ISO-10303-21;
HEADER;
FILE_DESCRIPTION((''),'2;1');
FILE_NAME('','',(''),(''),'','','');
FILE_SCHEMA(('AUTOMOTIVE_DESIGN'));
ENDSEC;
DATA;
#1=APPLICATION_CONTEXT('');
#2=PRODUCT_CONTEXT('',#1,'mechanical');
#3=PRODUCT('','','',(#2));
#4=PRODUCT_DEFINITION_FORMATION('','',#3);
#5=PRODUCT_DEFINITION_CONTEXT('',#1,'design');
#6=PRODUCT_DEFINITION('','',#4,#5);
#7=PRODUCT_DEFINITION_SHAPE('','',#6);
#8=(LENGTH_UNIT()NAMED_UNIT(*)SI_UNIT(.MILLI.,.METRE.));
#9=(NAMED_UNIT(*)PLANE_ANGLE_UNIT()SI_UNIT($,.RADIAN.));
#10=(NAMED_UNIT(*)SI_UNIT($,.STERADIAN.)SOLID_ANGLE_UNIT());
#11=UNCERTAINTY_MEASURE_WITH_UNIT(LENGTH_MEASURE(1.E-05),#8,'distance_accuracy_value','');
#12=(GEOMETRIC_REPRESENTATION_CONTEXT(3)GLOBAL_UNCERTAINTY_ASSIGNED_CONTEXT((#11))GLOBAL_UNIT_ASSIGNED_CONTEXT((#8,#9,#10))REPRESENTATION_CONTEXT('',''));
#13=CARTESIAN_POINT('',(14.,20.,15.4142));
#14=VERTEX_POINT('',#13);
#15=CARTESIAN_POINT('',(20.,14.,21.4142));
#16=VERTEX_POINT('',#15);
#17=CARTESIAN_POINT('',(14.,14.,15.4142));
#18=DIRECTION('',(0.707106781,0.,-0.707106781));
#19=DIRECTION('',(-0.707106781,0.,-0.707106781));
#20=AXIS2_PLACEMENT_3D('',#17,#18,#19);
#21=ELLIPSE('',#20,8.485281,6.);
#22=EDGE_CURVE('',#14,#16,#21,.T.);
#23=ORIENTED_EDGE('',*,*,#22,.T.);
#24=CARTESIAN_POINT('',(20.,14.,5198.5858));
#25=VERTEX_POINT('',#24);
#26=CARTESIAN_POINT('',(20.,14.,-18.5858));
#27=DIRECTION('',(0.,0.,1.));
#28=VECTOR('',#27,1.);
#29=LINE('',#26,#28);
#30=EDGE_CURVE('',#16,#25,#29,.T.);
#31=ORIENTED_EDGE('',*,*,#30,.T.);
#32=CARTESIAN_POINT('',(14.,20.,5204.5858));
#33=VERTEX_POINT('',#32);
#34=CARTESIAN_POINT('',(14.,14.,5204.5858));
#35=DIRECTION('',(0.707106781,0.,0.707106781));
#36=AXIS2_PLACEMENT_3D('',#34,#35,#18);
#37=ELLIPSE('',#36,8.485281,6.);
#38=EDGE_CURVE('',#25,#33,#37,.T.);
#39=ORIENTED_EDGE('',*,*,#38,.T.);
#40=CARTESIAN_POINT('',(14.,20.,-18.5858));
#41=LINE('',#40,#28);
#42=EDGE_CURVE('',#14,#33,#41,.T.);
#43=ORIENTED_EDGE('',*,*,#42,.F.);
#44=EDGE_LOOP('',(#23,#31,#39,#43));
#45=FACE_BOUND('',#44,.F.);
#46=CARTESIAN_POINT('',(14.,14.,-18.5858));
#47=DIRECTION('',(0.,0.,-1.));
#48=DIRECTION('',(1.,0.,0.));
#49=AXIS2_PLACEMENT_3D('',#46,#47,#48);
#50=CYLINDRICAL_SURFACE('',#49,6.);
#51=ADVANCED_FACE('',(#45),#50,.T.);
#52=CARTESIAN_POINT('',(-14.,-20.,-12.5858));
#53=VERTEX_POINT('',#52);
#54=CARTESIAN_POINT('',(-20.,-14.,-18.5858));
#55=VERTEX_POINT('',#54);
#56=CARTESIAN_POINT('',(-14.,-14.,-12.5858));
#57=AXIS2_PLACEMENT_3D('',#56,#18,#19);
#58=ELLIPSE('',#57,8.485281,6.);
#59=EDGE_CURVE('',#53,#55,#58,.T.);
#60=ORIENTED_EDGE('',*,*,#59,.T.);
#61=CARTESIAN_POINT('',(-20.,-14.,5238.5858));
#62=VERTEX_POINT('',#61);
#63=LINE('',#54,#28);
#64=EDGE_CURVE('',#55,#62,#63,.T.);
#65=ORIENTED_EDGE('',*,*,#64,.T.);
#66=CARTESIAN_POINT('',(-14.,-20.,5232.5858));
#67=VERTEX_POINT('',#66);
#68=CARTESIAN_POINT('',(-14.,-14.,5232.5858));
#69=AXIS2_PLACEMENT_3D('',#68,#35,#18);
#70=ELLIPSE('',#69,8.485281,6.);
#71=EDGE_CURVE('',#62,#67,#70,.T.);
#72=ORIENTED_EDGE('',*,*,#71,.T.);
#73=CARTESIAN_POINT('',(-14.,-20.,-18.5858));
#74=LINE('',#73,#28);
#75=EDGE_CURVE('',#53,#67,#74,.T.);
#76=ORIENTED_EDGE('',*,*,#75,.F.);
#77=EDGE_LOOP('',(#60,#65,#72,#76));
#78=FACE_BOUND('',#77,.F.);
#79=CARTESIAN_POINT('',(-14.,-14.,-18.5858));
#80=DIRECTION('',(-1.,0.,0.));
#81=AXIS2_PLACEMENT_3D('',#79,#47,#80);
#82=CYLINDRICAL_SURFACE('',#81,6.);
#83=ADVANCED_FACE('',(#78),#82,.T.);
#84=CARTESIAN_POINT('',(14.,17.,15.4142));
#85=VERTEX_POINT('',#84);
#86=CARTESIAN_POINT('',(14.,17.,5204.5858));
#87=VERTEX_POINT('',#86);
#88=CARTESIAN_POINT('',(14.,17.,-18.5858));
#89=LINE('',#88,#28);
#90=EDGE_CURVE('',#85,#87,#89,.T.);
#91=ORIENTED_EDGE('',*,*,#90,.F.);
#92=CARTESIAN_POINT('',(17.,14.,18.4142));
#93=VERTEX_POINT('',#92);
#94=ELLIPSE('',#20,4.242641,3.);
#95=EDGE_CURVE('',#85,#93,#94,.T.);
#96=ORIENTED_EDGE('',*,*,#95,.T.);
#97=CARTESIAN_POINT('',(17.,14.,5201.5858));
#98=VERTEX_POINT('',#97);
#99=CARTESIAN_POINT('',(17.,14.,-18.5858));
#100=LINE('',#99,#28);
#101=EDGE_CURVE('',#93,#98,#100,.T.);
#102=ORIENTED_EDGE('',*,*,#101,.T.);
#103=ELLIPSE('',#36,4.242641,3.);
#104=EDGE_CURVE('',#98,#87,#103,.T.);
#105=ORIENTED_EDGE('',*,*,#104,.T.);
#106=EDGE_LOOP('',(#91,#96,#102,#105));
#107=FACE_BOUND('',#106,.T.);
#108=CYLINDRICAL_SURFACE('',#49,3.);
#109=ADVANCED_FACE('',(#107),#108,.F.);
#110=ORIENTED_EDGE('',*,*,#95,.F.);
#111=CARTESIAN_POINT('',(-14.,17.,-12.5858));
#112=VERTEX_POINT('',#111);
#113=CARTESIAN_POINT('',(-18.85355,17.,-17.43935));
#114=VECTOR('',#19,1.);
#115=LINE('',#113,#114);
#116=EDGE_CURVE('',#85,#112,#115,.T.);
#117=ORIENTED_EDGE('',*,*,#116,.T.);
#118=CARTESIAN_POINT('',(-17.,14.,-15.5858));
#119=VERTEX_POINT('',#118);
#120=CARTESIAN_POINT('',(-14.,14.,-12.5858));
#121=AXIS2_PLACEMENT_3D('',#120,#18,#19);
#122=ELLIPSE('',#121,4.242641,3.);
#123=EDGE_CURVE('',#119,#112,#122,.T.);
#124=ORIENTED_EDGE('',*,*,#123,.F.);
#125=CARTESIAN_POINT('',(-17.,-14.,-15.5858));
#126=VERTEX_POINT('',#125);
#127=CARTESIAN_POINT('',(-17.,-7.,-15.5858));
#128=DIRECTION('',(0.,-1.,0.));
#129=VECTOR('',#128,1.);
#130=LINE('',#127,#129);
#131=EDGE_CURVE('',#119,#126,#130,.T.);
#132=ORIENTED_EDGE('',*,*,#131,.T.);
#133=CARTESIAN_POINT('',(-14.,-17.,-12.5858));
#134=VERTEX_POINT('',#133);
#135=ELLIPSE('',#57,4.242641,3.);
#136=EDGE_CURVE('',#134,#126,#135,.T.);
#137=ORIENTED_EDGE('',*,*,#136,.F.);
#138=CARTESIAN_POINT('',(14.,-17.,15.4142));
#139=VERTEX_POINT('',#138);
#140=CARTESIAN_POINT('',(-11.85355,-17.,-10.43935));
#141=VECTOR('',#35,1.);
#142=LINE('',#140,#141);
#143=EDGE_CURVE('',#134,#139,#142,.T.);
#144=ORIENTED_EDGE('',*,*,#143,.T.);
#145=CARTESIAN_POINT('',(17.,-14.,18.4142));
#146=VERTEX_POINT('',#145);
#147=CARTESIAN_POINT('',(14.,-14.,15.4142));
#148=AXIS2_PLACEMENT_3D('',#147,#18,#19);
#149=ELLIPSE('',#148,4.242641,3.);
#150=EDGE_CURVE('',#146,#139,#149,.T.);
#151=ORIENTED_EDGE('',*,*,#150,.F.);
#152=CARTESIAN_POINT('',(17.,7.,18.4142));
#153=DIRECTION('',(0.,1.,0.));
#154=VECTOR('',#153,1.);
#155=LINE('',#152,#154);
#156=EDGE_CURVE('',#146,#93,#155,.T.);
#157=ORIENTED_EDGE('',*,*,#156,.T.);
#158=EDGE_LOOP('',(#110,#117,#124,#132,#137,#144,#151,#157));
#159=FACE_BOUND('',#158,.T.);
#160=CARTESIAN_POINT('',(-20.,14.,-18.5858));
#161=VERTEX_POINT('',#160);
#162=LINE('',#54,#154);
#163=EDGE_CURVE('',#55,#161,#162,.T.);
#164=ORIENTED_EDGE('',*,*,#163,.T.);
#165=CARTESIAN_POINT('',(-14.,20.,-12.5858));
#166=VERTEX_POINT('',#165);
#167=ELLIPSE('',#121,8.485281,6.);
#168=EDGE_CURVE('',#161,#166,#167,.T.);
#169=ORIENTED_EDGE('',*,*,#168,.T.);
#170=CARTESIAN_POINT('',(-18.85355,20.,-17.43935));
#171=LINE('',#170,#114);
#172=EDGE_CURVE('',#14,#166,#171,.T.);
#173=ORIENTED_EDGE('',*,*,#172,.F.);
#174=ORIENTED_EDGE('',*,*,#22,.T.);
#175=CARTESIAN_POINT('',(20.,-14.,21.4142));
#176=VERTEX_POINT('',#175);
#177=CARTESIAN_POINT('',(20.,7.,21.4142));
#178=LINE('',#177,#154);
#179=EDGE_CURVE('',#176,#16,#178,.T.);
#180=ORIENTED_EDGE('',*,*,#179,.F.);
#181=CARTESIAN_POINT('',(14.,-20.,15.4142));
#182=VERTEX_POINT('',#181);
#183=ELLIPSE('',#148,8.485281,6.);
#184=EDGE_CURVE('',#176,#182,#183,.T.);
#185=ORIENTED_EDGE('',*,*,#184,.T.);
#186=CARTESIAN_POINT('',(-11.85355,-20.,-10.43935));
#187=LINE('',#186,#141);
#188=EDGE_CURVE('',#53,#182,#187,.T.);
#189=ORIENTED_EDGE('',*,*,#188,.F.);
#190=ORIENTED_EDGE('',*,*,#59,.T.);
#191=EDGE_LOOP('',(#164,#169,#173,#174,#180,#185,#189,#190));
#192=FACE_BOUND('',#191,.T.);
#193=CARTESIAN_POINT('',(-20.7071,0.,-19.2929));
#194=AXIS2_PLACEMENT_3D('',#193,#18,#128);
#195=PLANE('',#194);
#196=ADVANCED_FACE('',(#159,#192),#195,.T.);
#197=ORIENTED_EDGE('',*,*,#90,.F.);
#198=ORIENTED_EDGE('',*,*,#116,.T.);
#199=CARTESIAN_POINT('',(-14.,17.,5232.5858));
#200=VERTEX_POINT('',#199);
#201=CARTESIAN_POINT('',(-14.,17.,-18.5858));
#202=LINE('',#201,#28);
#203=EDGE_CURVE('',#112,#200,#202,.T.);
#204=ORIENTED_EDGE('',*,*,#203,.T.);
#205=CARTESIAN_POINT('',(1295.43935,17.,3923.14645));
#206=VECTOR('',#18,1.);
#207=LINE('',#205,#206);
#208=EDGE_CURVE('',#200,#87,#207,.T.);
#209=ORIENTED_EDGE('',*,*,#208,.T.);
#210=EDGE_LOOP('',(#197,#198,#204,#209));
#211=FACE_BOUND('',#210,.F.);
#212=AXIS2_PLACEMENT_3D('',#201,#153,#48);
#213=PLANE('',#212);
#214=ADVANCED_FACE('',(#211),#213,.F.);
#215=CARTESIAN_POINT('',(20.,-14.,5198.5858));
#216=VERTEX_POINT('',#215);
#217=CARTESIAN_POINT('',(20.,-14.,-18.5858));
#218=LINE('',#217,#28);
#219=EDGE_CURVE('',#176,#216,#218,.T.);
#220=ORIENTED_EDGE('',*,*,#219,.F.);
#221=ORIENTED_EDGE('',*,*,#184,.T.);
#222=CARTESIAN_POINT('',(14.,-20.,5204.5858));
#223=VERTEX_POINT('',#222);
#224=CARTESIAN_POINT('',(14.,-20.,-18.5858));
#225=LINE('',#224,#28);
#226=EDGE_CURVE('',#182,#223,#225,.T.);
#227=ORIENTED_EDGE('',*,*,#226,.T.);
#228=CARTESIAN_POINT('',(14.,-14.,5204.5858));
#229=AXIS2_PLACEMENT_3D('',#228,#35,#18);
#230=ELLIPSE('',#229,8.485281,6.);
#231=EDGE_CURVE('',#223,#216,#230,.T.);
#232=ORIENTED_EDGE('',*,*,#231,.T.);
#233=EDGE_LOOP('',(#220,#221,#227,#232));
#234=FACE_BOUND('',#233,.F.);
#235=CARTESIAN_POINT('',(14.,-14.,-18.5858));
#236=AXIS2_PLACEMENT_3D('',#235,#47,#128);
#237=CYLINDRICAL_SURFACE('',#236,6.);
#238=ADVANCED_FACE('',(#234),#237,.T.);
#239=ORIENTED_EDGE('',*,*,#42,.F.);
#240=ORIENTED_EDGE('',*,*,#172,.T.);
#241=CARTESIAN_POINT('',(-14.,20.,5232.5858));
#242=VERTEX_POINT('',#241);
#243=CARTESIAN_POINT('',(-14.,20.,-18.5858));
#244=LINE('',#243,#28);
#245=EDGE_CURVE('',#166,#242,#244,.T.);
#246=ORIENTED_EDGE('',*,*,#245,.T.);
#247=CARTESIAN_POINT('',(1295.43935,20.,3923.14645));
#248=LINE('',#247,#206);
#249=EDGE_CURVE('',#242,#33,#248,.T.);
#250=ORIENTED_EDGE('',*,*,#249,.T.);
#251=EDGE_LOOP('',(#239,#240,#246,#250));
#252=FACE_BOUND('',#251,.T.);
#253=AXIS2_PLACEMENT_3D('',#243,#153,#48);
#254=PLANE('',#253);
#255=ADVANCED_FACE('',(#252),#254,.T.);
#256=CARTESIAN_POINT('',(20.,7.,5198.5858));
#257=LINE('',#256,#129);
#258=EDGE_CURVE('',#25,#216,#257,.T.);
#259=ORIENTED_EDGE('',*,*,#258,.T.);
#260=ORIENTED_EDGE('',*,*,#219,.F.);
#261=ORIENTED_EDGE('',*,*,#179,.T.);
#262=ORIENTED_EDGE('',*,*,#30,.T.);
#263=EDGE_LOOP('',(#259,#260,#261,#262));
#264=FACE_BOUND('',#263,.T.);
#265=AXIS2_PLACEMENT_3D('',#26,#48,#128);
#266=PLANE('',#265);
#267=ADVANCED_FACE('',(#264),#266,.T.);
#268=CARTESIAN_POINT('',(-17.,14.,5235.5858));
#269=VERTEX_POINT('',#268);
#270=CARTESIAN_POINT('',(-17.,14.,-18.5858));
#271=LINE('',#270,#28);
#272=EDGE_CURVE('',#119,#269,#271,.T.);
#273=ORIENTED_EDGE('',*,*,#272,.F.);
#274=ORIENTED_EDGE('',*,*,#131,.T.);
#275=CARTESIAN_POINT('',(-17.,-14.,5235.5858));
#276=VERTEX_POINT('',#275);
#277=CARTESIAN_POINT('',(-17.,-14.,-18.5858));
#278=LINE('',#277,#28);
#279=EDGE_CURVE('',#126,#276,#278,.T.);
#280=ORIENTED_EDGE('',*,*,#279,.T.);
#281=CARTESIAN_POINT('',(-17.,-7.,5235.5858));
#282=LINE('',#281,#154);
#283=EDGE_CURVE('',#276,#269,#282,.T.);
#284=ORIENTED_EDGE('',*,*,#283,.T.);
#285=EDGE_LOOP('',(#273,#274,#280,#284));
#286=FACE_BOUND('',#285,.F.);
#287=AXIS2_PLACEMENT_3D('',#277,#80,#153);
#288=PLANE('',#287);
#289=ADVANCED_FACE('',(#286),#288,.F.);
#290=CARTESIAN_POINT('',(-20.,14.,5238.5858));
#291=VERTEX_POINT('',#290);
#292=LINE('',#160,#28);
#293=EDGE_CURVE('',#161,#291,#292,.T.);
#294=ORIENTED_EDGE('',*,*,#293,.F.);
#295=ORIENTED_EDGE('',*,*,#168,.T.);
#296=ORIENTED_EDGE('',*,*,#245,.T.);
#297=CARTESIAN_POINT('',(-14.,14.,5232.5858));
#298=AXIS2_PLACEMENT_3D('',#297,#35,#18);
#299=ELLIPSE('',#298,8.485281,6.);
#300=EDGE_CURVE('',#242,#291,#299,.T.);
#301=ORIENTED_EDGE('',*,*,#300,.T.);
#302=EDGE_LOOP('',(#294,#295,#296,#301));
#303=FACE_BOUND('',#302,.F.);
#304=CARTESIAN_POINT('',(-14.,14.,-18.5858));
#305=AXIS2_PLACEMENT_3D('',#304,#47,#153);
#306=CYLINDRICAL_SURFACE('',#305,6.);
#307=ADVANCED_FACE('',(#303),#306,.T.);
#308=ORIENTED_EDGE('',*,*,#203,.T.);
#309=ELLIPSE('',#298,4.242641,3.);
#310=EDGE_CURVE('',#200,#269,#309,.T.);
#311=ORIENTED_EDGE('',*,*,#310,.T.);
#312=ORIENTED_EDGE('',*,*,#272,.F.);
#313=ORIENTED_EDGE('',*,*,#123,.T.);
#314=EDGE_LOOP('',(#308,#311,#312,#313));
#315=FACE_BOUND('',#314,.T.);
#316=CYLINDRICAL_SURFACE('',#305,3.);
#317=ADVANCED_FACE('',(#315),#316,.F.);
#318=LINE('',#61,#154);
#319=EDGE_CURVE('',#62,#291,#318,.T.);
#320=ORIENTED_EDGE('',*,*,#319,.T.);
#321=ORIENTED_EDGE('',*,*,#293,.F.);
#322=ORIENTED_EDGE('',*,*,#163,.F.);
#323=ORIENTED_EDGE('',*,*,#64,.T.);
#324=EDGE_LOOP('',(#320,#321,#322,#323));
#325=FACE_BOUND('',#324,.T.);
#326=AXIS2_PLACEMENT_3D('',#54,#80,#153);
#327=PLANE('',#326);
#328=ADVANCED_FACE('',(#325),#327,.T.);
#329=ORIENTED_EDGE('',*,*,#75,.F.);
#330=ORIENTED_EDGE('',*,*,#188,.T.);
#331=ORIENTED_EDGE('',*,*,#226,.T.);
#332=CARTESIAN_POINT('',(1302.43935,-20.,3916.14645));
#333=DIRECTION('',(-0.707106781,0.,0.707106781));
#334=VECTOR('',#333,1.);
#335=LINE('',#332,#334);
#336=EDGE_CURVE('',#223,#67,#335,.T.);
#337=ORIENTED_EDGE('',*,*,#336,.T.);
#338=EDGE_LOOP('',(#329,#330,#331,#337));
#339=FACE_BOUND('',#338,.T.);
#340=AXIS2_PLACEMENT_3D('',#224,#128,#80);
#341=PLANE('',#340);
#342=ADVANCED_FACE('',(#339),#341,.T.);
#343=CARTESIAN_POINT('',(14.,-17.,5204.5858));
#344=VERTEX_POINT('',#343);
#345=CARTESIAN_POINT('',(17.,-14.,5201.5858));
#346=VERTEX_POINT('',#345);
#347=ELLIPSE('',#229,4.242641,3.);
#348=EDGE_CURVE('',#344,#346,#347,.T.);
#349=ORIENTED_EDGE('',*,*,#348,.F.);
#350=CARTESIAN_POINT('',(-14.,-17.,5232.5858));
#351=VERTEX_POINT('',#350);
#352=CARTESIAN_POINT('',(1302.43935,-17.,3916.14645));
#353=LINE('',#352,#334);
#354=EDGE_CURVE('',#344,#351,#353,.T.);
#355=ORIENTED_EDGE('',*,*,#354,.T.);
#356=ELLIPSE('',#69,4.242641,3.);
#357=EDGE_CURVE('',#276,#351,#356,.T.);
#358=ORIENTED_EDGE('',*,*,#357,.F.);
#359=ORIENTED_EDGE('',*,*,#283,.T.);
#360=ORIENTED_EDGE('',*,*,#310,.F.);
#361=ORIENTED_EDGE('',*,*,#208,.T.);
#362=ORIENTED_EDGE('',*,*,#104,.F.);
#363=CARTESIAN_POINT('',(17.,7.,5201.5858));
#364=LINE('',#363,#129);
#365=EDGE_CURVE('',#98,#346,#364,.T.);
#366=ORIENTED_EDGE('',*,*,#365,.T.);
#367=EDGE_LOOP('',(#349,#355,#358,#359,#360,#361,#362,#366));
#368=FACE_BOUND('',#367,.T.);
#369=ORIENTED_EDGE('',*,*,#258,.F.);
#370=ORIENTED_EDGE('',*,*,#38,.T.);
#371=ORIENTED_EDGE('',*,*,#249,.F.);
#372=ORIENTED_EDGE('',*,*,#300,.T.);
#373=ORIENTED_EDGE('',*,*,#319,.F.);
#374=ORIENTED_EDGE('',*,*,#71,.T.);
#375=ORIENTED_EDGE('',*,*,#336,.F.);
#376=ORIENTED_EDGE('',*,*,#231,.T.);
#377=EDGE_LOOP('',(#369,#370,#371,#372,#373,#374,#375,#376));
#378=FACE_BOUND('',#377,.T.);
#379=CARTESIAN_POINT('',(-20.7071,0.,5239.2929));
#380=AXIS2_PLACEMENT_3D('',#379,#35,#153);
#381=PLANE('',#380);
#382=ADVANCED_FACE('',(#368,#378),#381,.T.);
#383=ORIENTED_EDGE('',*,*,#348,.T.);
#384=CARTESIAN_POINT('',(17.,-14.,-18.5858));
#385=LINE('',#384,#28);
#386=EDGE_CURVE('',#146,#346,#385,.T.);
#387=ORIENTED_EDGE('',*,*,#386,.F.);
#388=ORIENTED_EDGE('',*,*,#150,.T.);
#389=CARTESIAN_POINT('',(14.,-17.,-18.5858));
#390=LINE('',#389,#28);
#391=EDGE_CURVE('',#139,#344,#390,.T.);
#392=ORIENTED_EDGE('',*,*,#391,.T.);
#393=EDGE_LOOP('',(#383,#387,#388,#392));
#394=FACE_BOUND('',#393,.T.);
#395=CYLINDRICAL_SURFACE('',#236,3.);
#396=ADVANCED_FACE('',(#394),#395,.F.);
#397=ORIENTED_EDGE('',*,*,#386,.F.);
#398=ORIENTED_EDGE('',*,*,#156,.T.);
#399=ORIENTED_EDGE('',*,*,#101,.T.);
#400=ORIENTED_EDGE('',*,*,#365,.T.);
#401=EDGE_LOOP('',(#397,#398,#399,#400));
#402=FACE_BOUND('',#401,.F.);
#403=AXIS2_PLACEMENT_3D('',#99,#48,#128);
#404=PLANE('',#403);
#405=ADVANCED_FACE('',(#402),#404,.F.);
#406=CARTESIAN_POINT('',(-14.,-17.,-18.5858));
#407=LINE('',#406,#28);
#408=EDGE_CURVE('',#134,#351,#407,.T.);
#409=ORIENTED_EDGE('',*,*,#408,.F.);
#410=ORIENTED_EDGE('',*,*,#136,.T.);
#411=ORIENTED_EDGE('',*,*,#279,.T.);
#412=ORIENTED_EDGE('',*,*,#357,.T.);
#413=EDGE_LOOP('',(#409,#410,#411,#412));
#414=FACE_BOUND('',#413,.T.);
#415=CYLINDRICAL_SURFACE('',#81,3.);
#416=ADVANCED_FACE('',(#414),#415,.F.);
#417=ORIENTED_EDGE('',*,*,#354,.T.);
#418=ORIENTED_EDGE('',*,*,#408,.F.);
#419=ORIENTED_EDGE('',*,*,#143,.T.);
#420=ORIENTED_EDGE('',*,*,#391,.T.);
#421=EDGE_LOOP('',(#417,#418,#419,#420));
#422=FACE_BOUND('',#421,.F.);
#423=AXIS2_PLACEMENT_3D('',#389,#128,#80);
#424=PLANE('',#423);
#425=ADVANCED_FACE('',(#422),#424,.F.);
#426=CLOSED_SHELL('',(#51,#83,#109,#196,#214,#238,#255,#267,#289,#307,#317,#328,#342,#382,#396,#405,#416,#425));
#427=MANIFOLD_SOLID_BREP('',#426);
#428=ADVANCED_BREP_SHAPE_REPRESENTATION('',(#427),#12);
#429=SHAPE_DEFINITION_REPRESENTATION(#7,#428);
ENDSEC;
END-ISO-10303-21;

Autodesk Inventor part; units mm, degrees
ref_plane "Start Plane" through (0, 0, -18.5858) normal (0, 0, 1) x (1, 0, 0)
ref_plane "End Plane" through (0, 0, 5238.5858) normal (0, 0, 1) x (1, 0, 0)
sketch "Sketch" plane through (0, 0, 0) normal (0, 0, 1) x (1, 0, 0)
  line L0 (-20, -14) -> (-20, 14)
  line L1 (-14, 20) -> (14, 20)
  line L2 (20, 14) -> (20, -14)
  line L3 (14, -20) -> (-14, -20)
  arc A0 (-20, -14) -> (-14, -20) centre (-14, -14) ccw
  arc A1 (20, 14) -> (14, 20) centre (14, 14) ccw
  arc A2 (-14, 20) -> (-20, 14) centre (-14, 14) ccw
  arc A3 (14, -20) -> (20, -14) centre (14, -14) ccw
  arc A4 (-14, 17) -> (-17, 14) centre (-14, 14) ccw
  line L4 (-14, 17) -> (14, 17)
  arc A5 (17, 14) -> (14, 17) centre (14, 14) ccw
  line L5 (17, 14) -> (17, -14)
  arc A6 (14, -17) -> (17, -14) centre (14, -14) ccw
  line L6 (14, -17) -> (-14, -17)
  arc A7 (-17, -14) -> (-14, -17) centre (-14, -14) ccw
  line L7 (-17, -14) -> (-17, 14)
  line L8 (0, 29.7397) -> (0, -29.7397) construction
  line L9 (-29.7397, 0) -> (29.7397, 0) construction
  dimension "d7" = 6
  dimension "d9" = 40
  dimension "d11" = 40
  dimension "d12" = 3
  dimension "d15" = 20
  dimension "d16" = 20
extrude "Body" add sketch "Sketch" along normal up to surface (5257.1716 mm away) from surface at -18.5858
sketch "Sketch3" plane through (0, 0, 0) normal (0, 0, 1) x (1, 0, 0)
  line L0 (0, 0) -> (10, 0)
ref_plane "Work Plane3" through (0, 0, 0) normal (0, -1, 0) x (1, 0, 0)
ref_plane "Work Plane4" through (-20.7071, 0, 5239.2929) normal (0.7071, 0, 0.7071) x (0.7071, 0, -0.7071)
split "Split1" plane through (-20.7071, 0, 5239.2929) removes the side toward (0.7071, 0, 0.7071)
ref_plane "Work Plane5" through (-20.7071, 0, -19.2929) normal (0.7071, 0, -0.7071) x (-0.7071, 0, -0.7071)
split "Split2" plane through (-20.7071, 0, -19.2929) removes the side toward (0.7071, 0, -0.7071)
sketch "Sketch4" plane through (0, 0, 0) normal (0, -1, 0) x (1, 0, 0)
  line L0 (-2, -18.5858) -> (12, -18.5858) projected
  line L1 (-2, 5238.5858) -> (12, 5238.5858) projected
  dimension "d18" = 5257.1716
equation "\"d7\" = G_IR"
equation "\"d9\" = G_W"
equation "\"d11\" = G_H"
equation "\"d12\" = G_T"
equation "\"d15\" = 0.5 * d9"
equation "\"d16\" = 0.5 * d11"
equation "\"d3\" = G_L"
equation "\"G_W\" = 40"
equation "\"G_H\" = 40"
equation "\"G_T\" = 3"
equation "\"G_IR\" = 6"
equation "\"G_L\" = d18"
equation "\"G_OFFSET_START\" = 18.58579"
equation "\"G_OFFSET_END\" = 18.58579"
equation "\"d13\" = -G_OFFSET_START"
equation "\"d14\" = G_OFFSET_END + B_L"
equation "\"B_L\" = 5220"
properties part number "ISO 10799-2 - 40x40x3 - 5257,17" material "Steel, Mild"
